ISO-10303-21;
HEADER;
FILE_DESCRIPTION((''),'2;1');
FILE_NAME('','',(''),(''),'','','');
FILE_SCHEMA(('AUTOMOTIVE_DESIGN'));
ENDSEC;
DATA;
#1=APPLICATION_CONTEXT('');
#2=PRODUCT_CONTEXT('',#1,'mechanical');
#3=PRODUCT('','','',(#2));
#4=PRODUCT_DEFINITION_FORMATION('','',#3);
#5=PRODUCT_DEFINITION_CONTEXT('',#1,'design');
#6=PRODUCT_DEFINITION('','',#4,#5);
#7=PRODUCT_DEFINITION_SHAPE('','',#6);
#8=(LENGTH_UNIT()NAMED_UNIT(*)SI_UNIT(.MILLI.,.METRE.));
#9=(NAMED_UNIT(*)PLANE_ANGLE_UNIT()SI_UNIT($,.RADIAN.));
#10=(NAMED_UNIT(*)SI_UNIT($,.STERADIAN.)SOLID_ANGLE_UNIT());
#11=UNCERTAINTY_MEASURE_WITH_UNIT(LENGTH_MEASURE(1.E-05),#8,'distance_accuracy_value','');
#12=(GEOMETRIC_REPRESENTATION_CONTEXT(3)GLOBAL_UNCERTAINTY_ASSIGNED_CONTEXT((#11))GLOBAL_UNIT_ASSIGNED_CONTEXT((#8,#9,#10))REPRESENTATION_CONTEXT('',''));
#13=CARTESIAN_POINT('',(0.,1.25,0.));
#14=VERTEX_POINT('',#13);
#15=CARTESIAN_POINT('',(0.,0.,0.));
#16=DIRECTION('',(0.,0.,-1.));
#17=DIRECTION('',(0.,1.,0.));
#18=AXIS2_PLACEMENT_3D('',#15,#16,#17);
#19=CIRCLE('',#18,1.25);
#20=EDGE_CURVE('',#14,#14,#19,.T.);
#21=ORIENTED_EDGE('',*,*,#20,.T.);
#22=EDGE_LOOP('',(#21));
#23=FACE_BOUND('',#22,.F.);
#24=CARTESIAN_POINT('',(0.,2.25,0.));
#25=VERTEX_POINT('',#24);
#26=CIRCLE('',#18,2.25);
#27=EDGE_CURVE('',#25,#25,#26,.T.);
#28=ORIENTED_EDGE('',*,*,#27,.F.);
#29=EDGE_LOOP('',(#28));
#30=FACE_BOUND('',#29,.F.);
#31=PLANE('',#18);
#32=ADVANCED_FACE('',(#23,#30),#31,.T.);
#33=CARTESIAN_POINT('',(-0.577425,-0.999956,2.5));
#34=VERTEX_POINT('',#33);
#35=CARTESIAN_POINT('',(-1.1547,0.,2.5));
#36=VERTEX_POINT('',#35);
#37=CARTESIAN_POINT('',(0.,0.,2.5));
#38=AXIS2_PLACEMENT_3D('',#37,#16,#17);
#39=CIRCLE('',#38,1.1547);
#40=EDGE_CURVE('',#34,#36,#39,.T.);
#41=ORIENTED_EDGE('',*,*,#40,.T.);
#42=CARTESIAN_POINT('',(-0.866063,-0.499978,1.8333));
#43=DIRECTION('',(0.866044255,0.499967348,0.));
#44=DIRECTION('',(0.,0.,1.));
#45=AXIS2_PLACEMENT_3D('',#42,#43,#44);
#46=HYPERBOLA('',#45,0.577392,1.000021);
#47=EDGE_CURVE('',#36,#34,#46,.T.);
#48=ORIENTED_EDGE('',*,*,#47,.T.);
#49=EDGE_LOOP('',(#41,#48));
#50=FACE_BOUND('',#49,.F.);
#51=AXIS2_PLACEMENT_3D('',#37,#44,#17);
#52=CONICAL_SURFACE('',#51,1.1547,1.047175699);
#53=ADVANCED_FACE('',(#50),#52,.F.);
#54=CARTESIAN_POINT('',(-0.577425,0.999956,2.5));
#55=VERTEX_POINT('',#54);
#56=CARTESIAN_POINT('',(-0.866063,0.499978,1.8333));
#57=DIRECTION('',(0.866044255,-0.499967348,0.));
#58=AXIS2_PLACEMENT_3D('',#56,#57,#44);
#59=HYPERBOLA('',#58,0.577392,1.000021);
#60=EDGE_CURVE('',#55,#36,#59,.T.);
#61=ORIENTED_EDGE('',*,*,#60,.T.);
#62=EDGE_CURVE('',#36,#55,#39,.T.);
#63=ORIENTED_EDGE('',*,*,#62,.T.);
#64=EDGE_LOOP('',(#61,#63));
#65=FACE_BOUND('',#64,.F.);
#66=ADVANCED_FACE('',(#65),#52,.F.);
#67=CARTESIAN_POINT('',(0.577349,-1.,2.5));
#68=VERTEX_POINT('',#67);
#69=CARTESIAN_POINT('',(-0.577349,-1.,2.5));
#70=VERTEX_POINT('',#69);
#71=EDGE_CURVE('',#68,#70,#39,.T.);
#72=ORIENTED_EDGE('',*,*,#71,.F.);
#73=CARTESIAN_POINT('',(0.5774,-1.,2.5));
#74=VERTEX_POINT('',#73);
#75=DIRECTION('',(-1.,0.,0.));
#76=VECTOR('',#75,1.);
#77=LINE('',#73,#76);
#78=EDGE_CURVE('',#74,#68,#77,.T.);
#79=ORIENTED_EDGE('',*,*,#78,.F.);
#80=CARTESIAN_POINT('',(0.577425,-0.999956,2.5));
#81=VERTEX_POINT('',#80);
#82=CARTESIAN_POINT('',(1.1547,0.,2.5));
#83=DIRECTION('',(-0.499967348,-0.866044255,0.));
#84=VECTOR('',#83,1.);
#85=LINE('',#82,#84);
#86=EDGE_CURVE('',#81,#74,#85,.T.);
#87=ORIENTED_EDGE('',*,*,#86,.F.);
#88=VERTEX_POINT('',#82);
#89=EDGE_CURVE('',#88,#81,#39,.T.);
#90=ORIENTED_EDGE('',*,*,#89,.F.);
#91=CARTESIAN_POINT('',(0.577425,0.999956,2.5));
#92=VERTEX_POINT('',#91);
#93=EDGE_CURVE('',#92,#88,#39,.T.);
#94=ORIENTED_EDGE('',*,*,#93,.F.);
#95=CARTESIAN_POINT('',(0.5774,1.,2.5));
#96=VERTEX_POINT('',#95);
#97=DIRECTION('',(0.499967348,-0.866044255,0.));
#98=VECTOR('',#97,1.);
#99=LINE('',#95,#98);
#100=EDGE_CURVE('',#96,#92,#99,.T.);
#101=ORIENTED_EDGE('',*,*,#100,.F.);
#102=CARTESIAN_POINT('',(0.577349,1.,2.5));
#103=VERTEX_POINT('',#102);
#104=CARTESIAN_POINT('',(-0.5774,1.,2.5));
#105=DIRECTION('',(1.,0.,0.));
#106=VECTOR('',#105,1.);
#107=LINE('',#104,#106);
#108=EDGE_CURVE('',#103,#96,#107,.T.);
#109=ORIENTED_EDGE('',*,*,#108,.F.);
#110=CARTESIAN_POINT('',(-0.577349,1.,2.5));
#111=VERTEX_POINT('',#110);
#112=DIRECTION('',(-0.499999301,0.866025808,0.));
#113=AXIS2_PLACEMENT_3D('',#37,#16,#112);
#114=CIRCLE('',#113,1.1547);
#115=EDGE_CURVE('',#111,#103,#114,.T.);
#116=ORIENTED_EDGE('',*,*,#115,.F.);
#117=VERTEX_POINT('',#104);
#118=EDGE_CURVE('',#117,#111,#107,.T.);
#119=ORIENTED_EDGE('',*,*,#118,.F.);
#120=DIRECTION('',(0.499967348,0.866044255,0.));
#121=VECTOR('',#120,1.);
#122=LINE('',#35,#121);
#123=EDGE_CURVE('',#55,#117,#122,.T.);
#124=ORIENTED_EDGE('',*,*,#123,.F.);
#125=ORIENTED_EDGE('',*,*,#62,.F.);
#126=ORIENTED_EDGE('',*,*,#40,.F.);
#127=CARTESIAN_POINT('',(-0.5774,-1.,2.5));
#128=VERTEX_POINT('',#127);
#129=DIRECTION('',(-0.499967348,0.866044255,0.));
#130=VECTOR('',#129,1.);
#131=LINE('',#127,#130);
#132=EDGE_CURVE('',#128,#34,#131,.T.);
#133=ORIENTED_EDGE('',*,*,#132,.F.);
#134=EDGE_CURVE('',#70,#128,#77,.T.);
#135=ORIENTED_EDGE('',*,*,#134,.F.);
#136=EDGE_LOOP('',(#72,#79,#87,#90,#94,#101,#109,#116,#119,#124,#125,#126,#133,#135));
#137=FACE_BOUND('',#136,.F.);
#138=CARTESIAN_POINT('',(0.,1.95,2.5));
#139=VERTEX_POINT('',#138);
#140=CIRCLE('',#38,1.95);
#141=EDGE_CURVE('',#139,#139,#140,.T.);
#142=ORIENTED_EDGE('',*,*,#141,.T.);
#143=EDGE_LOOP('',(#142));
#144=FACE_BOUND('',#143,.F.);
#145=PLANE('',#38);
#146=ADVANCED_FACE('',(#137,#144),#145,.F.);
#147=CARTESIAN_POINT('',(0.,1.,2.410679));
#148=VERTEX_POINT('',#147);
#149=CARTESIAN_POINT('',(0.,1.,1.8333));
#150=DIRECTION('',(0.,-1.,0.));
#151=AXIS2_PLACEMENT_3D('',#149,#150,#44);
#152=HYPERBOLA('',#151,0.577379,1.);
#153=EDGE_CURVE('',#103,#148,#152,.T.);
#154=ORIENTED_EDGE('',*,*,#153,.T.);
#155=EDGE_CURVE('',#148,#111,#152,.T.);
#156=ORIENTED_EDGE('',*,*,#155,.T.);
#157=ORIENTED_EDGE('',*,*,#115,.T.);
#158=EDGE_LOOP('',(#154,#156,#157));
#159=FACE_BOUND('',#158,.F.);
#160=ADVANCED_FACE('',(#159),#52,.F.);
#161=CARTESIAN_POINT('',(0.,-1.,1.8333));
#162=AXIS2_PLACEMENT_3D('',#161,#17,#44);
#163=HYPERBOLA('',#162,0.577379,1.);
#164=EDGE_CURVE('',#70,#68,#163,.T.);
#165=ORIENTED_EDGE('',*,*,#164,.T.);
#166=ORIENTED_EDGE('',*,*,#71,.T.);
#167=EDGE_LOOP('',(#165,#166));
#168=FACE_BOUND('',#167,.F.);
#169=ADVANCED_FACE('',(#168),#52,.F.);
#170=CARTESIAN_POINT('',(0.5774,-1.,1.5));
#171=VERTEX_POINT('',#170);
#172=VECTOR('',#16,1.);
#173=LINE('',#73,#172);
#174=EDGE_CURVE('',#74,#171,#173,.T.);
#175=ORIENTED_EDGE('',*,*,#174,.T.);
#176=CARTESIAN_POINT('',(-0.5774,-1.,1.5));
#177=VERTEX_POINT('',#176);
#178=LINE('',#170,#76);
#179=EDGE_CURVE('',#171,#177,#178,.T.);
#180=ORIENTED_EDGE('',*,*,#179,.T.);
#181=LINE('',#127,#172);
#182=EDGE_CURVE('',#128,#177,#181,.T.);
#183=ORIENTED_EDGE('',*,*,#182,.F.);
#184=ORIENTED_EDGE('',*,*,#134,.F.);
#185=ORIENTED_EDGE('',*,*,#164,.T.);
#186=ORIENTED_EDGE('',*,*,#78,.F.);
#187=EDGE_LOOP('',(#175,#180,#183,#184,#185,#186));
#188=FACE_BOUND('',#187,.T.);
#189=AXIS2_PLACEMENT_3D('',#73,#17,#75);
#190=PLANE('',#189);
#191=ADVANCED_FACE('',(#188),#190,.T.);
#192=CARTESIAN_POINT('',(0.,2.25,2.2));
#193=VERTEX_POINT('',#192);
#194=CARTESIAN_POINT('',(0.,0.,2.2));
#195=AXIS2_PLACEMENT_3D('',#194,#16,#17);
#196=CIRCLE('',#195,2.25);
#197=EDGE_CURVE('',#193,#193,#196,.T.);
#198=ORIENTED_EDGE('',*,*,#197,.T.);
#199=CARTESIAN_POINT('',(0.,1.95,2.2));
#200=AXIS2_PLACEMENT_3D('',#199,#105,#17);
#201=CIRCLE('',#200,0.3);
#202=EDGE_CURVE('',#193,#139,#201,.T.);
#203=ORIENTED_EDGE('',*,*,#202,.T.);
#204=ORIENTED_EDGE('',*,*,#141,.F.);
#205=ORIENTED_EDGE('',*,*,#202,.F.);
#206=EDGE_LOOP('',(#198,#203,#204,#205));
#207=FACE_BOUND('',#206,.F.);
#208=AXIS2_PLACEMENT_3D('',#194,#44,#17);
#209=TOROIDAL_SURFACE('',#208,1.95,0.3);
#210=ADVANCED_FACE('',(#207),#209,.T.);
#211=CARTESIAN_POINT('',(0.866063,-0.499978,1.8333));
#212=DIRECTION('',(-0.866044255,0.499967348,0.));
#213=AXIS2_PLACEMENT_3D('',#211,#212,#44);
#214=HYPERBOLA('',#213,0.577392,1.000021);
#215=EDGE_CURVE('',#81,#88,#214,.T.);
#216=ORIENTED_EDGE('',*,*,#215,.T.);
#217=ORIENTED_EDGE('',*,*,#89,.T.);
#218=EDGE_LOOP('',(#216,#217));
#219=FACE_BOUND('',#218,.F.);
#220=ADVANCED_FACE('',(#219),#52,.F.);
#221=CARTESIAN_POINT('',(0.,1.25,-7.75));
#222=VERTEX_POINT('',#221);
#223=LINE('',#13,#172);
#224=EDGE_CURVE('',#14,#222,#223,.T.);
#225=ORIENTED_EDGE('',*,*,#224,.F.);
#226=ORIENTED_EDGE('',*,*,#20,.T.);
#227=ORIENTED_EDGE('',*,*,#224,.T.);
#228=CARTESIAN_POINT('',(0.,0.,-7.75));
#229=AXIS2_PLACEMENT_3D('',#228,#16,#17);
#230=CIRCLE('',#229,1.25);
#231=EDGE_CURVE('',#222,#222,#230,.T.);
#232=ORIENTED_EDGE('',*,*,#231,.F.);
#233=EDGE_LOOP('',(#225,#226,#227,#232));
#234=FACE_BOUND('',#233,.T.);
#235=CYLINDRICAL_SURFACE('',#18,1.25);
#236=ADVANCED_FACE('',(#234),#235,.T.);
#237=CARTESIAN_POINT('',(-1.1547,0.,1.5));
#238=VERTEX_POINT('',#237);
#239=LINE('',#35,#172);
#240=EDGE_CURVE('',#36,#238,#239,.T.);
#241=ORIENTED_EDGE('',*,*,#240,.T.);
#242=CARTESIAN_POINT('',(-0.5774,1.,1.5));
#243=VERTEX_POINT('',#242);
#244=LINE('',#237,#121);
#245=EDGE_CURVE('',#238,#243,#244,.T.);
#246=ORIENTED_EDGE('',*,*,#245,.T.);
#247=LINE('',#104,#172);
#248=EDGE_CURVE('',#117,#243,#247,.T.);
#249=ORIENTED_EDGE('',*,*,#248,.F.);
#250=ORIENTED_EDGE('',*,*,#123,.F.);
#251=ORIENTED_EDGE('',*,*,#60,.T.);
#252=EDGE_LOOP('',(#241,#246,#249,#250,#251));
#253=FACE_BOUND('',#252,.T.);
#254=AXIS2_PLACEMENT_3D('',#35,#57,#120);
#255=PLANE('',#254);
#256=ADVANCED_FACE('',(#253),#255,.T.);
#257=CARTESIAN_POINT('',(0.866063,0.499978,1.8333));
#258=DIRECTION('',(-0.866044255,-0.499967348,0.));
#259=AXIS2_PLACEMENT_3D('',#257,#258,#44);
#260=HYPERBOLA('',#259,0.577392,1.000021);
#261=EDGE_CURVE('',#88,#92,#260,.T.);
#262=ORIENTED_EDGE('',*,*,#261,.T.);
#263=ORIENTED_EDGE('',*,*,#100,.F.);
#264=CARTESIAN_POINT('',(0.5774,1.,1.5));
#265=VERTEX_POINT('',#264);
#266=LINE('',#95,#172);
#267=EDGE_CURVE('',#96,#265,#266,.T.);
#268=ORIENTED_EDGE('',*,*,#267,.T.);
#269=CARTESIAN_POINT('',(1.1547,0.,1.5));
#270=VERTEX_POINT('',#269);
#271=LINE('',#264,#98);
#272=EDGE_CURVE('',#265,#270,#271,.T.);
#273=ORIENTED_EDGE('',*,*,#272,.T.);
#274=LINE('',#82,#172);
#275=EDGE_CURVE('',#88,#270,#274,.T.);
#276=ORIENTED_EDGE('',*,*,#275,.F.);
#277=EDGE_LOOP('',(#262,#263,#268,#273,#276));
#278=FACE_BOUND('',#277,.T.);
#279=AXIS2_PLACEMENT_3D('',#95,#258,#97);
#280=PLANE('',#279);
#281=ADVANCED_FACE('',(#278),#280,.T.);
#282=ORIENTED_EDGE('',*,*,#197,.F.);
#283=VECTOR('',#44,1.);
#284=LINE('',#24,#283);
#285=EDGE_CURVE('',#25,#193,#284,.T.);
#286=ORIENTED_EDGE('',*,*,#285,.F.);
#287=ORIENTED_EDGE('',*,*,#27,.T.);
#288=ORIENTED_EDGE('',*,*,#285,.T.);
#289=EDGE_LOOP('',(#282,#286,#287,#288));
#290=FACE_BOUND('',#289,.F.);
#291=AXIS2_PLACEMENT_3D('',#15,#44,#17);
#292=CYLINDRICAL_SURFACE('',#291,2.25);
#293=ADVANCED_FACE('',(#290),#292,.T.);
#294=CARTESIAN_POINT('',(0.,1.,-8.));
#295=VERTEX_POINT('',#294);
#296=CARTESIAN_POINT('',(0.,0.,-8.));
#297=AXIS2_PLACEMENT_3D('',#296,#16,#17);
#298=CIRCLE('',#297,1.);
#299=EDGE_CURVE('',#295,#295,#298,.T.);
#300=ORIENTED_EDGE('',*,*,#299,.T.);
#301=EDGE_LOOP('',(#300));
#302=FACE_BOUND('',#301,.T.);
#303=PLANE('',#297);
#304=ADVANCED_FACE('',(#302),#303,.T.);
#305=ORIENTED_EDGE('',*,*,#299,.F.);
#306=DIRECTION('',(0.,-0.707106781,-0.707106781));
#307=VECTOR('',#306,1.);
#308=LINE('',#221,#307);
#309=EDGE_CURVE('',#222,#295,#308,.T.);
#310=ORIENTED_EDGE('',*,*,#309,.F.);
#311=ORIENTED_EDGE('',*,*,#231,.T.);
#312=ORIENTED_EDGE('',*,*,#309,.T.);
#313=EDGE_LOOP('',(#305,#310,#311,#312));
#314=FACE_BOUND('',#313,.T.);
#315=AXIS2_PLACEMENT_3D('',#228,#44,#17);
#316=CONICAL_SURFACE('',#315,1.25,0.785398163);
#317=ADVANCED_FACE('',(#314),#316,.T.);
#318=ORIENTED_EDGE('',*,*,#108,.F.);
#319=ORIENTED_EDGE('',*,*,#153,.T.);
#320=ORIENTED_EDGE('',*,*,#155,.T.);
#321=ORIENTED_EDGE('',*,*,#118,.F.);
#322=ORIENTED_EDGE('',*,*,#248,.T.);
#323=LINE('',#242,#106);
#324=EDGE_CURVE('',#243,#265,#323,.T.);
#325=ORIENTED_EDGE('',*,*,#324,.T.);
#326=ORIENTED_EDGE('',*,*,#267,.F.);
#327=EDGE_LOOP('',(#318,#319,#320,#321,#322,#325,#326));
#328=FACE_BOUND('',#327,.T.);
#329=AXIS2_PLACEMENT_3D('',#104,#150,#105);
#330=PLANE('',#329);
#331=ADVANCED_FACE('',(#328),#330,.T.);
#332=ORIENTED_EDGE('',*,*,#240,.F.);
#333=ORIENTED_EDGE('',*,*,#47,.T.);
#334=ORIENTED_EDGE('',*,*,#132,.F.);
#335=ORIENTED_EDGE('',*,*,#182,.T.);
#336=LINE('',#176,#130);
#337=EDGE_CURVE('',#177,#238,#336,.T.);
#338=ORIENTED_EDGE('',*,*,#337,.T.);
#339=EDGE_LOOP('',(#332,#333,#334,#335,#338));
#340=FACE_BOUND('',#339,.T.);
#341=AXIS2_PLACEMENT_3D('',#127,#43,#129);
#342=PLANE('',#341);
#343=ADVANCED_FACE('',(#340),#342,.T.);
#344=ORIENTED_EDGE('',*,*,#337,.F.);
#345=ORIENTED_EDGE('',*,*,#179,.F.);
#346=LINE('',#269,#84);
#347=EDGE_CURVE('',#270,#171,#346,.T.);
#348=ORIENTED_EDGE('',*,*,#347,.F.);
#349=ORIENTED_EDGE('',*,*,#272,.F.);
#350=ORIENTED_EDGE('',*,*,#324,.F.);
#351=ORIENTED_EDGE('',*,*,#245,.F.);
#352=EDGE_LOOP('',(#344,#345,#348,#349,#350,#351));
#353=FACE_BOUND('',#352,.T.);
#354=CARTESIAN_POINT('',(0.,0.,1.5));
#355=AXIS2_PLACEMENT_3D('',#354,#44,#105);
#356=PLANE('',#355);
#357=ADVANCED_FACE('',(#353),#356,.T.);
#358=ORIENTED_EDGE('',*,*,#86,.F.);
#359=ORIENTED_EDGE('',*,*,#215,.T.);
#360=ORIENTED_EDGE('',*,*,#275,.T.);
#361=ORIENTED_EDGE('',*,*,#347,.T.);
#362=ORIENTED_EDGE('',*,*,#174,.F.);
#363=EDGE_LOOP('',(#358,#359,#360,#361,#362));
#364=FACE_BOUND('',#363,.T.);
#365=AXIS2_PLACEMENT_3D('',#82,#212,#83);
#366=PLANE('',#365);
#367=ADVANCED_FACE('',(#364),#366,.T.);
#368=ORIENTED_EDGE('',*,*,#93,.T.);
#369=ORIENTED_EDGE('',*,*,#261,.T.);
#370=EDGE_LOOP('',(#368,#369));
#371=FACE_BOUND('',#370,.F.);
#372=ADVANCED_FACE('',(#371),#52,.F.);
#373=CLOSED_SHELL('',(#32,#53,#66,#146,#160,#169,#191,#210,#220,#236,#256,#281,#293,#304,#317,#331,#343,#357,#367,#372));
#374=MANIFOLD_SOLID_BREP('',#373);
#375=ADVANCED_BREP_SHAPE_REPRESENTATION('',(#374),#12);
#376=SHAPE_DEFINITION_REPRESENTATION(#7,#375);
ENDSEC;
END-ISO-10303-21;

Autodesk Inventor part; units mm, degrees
ref_plane "YZ Plane" through (0, 0, 0) normal (1, 0, 0) x (0, 1, 0)
ref_plane "XZ Plane" through (0, 0, 0) normal (0, 1, 0) x (-1, 0, 0)
ref_plane "XY Plane" through (0, 0, 0) normal (0, 0, 1) x (1, 0, 0)
sketch "スケッチ1" plane through (0, 0, 0) normal (1, 0, 0) x (0, 1, 0)
  line L0 (0, 0) -> (1.25, 0) construction
  line L1 (2.25, 0) -> (2.25, 2.2)
  line L2 (1.95, 2.5) -> (1.1547, 2.5)
  line L3 (0, 2.5) -> (0, 1.8333) construction
  line L4 (1.25, 0) -> (1.25, -8)
  line L5 (1.25, -8) -> (0, -8)
  line L6 (0, -8) -> (0, 0)
  line L7 (1.25, 0) -> (2.25, 0)
  line L8 (1.1547, 2.5) -> (0.5774, 1.5) construction
  line L9 (0.5774, 1.5) -> (-0.5774, 1.5) construction
  line L10 (-0.5774, 1.5) -> (-1.1547, 2.5) construction
  line L11 (-1.1547, 2.5) -> (-0.5774, 3.5) construction
  line L12 (-0.5774, 3.5) -> (0.5774, 3.5) construction
  line L13 (0.5774, 3.5) -> (1.1547, 2.5) construction
  line L14 (1.1547, 2.5) -> (0, 1.8333)
  line L15 (1.1547, 2.5) -> (0, 2.5) construction
  line L16 (0, 1.8333) -> (0, 0)
  arc A0 (2.25, 2.2) -> (1.95, 2.5) centre (1.95, 2.2) ccw
  dimension "d0" = 2
  dimension "d1" = 4.5
  dimension "d2" = 2.5
  dimension "d3" = 8
  dimension "d4" = 2.5
  dimension "d6" = 0.3
  dimension "d11" = 30
revolve "回転1" add sketch "スケッチ1" angle 360 about axis through (0, 0, 1.8333) along (0, 0, -1)
sketch "スケッチ2" plane through (0, 0, 2.5) normal (0, 0, 1) x (1, 0, 0)
  line L0 (1.1547, 0) -> (0.5774, -1)
  line L1 (0.5774, -1) -> (-0.5774, -1)
  line L2 (-0.5774, -1) -> (-1.1547, 0)
  line L3 (-1.1547, 0) -> (-0.5774, 1)
  line L4 (-0.5774, 1) -> (0.5774, 1)
  line L5 (0.5774, 1) -> (1.1547, 0)
  point P0 (0, 0)
  point P1 (0, 0)
  dimension "d8" = 2
extrude "押し出し1" cut sketch "スケッチ2" against normal blind 1
chamfer "面取り1" distance 0.25 angle 45 1 edges at (0, -1.25, -8)
properties part number "10_054_CAP_BOLT_M2_5X8_R1" material "鋼、炭素鋼"
